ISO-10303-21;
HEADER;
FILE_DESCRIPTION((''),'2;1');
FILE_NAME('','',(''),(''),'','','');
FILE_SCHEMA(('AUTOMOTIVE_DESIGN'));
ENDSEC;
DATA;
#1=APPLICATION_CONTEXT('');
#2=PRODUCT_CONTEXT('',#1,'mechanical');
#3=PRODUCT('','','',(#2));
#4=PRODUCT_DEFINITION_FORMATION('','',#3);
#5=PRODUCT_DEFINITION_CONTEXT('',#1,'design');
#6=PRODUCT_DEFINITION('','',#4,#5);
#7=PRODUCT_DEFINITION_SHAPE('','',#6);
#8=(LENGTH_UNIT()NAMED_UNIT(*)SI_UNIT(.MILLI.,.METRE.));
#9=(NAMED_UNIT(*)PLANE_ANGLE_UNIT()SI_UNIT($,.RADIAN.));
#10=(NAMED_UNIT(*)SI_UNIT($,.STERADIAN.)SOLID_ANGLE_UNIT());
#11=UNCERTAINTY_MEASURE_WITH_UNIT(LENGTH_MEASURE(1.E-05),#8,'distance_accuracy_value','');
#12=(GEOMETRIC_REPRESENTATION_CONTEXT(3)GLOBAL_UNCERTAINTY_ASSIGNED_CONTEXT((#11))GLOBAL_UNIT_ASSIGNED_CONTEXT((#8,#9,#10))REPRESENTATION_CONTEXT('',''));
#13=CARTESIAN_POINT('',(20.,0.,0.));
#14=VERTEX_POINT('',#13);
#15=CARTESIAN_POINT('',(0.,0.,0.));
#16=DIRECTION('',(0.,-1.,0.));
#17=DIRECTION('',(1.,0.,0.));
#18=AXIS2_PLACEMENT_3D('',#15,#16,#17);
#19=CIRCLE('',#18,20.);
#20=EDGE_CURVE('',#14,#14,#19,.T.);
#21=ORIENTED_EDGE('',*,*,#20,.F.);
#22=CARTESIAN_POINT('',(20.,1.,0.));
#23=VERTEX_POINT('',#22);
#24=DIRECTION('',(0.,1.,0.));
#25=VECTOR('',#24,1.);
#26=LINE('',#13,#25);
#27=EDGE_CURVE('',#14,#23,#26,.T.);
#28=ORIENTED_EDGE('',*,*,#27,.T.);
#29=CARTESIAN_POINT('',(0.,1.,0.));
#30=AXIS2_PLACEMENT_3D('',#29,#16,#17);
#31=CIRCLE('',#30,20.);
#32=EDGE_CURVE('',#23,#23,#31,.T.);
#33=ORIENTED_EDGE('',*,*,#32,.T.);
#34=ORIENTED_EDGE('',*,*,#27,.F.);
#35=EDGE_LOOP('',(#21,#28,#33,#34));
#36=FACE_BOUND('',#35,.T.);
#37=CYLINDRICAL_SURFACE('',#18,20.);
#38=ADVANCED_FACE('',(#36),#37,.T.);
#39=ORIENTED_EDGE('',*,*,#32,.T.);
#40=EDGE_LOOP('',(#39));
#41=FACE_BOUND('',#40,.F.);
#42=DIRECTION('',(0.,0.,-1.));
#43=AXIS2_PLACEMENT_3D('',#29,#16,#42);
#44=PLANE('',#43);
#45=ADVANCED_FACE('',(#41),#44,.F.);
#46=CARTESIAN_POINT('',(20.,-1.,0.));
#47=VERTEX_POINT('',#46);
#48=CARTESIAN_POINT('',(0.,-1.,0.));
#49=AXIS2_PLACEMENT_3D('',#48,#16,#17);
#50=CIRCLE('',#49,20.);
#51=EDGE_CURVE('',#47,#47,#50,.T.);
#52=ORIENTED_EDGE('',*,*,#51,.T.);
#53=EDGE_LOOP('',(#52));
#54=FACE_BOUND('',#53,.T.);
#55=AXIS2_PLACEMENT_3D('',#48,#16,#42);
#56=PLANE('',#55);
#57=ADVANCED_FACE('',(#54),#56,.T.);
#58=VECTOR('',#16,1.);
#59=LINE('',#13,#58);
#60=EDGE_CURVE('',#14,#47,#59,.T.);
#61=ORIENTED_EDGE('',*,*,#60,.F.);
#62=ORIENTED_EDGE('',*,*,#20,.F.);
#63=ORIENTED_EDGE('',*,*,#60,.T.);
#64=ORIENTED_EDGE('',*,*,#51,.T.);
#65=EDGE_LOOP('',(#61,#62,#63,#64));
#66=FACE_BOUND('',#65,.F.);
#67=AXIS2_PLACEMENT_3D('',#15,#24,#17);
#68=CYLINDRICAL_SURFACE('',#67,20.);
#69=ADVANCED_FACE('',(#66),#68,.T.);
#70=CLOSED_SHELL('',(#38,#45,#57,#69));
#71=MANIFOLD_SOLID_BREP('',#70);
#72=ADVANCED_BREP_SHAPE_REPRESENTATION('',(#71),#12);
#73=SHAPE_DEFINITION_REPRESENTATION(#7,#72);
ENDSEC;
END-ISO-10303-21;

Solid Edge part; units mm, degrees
sketch "Sketch1" plane through (0, 0, 0) normal (0, -1, 0) x (1, 0, 0)
  circle A0 centre (0, 0) radius 20
extrude "Protrusion1" add sketch "Sketch1" along normal mid plane 2
extrude "ExtrudedProtrusion_2" [suppressed]
